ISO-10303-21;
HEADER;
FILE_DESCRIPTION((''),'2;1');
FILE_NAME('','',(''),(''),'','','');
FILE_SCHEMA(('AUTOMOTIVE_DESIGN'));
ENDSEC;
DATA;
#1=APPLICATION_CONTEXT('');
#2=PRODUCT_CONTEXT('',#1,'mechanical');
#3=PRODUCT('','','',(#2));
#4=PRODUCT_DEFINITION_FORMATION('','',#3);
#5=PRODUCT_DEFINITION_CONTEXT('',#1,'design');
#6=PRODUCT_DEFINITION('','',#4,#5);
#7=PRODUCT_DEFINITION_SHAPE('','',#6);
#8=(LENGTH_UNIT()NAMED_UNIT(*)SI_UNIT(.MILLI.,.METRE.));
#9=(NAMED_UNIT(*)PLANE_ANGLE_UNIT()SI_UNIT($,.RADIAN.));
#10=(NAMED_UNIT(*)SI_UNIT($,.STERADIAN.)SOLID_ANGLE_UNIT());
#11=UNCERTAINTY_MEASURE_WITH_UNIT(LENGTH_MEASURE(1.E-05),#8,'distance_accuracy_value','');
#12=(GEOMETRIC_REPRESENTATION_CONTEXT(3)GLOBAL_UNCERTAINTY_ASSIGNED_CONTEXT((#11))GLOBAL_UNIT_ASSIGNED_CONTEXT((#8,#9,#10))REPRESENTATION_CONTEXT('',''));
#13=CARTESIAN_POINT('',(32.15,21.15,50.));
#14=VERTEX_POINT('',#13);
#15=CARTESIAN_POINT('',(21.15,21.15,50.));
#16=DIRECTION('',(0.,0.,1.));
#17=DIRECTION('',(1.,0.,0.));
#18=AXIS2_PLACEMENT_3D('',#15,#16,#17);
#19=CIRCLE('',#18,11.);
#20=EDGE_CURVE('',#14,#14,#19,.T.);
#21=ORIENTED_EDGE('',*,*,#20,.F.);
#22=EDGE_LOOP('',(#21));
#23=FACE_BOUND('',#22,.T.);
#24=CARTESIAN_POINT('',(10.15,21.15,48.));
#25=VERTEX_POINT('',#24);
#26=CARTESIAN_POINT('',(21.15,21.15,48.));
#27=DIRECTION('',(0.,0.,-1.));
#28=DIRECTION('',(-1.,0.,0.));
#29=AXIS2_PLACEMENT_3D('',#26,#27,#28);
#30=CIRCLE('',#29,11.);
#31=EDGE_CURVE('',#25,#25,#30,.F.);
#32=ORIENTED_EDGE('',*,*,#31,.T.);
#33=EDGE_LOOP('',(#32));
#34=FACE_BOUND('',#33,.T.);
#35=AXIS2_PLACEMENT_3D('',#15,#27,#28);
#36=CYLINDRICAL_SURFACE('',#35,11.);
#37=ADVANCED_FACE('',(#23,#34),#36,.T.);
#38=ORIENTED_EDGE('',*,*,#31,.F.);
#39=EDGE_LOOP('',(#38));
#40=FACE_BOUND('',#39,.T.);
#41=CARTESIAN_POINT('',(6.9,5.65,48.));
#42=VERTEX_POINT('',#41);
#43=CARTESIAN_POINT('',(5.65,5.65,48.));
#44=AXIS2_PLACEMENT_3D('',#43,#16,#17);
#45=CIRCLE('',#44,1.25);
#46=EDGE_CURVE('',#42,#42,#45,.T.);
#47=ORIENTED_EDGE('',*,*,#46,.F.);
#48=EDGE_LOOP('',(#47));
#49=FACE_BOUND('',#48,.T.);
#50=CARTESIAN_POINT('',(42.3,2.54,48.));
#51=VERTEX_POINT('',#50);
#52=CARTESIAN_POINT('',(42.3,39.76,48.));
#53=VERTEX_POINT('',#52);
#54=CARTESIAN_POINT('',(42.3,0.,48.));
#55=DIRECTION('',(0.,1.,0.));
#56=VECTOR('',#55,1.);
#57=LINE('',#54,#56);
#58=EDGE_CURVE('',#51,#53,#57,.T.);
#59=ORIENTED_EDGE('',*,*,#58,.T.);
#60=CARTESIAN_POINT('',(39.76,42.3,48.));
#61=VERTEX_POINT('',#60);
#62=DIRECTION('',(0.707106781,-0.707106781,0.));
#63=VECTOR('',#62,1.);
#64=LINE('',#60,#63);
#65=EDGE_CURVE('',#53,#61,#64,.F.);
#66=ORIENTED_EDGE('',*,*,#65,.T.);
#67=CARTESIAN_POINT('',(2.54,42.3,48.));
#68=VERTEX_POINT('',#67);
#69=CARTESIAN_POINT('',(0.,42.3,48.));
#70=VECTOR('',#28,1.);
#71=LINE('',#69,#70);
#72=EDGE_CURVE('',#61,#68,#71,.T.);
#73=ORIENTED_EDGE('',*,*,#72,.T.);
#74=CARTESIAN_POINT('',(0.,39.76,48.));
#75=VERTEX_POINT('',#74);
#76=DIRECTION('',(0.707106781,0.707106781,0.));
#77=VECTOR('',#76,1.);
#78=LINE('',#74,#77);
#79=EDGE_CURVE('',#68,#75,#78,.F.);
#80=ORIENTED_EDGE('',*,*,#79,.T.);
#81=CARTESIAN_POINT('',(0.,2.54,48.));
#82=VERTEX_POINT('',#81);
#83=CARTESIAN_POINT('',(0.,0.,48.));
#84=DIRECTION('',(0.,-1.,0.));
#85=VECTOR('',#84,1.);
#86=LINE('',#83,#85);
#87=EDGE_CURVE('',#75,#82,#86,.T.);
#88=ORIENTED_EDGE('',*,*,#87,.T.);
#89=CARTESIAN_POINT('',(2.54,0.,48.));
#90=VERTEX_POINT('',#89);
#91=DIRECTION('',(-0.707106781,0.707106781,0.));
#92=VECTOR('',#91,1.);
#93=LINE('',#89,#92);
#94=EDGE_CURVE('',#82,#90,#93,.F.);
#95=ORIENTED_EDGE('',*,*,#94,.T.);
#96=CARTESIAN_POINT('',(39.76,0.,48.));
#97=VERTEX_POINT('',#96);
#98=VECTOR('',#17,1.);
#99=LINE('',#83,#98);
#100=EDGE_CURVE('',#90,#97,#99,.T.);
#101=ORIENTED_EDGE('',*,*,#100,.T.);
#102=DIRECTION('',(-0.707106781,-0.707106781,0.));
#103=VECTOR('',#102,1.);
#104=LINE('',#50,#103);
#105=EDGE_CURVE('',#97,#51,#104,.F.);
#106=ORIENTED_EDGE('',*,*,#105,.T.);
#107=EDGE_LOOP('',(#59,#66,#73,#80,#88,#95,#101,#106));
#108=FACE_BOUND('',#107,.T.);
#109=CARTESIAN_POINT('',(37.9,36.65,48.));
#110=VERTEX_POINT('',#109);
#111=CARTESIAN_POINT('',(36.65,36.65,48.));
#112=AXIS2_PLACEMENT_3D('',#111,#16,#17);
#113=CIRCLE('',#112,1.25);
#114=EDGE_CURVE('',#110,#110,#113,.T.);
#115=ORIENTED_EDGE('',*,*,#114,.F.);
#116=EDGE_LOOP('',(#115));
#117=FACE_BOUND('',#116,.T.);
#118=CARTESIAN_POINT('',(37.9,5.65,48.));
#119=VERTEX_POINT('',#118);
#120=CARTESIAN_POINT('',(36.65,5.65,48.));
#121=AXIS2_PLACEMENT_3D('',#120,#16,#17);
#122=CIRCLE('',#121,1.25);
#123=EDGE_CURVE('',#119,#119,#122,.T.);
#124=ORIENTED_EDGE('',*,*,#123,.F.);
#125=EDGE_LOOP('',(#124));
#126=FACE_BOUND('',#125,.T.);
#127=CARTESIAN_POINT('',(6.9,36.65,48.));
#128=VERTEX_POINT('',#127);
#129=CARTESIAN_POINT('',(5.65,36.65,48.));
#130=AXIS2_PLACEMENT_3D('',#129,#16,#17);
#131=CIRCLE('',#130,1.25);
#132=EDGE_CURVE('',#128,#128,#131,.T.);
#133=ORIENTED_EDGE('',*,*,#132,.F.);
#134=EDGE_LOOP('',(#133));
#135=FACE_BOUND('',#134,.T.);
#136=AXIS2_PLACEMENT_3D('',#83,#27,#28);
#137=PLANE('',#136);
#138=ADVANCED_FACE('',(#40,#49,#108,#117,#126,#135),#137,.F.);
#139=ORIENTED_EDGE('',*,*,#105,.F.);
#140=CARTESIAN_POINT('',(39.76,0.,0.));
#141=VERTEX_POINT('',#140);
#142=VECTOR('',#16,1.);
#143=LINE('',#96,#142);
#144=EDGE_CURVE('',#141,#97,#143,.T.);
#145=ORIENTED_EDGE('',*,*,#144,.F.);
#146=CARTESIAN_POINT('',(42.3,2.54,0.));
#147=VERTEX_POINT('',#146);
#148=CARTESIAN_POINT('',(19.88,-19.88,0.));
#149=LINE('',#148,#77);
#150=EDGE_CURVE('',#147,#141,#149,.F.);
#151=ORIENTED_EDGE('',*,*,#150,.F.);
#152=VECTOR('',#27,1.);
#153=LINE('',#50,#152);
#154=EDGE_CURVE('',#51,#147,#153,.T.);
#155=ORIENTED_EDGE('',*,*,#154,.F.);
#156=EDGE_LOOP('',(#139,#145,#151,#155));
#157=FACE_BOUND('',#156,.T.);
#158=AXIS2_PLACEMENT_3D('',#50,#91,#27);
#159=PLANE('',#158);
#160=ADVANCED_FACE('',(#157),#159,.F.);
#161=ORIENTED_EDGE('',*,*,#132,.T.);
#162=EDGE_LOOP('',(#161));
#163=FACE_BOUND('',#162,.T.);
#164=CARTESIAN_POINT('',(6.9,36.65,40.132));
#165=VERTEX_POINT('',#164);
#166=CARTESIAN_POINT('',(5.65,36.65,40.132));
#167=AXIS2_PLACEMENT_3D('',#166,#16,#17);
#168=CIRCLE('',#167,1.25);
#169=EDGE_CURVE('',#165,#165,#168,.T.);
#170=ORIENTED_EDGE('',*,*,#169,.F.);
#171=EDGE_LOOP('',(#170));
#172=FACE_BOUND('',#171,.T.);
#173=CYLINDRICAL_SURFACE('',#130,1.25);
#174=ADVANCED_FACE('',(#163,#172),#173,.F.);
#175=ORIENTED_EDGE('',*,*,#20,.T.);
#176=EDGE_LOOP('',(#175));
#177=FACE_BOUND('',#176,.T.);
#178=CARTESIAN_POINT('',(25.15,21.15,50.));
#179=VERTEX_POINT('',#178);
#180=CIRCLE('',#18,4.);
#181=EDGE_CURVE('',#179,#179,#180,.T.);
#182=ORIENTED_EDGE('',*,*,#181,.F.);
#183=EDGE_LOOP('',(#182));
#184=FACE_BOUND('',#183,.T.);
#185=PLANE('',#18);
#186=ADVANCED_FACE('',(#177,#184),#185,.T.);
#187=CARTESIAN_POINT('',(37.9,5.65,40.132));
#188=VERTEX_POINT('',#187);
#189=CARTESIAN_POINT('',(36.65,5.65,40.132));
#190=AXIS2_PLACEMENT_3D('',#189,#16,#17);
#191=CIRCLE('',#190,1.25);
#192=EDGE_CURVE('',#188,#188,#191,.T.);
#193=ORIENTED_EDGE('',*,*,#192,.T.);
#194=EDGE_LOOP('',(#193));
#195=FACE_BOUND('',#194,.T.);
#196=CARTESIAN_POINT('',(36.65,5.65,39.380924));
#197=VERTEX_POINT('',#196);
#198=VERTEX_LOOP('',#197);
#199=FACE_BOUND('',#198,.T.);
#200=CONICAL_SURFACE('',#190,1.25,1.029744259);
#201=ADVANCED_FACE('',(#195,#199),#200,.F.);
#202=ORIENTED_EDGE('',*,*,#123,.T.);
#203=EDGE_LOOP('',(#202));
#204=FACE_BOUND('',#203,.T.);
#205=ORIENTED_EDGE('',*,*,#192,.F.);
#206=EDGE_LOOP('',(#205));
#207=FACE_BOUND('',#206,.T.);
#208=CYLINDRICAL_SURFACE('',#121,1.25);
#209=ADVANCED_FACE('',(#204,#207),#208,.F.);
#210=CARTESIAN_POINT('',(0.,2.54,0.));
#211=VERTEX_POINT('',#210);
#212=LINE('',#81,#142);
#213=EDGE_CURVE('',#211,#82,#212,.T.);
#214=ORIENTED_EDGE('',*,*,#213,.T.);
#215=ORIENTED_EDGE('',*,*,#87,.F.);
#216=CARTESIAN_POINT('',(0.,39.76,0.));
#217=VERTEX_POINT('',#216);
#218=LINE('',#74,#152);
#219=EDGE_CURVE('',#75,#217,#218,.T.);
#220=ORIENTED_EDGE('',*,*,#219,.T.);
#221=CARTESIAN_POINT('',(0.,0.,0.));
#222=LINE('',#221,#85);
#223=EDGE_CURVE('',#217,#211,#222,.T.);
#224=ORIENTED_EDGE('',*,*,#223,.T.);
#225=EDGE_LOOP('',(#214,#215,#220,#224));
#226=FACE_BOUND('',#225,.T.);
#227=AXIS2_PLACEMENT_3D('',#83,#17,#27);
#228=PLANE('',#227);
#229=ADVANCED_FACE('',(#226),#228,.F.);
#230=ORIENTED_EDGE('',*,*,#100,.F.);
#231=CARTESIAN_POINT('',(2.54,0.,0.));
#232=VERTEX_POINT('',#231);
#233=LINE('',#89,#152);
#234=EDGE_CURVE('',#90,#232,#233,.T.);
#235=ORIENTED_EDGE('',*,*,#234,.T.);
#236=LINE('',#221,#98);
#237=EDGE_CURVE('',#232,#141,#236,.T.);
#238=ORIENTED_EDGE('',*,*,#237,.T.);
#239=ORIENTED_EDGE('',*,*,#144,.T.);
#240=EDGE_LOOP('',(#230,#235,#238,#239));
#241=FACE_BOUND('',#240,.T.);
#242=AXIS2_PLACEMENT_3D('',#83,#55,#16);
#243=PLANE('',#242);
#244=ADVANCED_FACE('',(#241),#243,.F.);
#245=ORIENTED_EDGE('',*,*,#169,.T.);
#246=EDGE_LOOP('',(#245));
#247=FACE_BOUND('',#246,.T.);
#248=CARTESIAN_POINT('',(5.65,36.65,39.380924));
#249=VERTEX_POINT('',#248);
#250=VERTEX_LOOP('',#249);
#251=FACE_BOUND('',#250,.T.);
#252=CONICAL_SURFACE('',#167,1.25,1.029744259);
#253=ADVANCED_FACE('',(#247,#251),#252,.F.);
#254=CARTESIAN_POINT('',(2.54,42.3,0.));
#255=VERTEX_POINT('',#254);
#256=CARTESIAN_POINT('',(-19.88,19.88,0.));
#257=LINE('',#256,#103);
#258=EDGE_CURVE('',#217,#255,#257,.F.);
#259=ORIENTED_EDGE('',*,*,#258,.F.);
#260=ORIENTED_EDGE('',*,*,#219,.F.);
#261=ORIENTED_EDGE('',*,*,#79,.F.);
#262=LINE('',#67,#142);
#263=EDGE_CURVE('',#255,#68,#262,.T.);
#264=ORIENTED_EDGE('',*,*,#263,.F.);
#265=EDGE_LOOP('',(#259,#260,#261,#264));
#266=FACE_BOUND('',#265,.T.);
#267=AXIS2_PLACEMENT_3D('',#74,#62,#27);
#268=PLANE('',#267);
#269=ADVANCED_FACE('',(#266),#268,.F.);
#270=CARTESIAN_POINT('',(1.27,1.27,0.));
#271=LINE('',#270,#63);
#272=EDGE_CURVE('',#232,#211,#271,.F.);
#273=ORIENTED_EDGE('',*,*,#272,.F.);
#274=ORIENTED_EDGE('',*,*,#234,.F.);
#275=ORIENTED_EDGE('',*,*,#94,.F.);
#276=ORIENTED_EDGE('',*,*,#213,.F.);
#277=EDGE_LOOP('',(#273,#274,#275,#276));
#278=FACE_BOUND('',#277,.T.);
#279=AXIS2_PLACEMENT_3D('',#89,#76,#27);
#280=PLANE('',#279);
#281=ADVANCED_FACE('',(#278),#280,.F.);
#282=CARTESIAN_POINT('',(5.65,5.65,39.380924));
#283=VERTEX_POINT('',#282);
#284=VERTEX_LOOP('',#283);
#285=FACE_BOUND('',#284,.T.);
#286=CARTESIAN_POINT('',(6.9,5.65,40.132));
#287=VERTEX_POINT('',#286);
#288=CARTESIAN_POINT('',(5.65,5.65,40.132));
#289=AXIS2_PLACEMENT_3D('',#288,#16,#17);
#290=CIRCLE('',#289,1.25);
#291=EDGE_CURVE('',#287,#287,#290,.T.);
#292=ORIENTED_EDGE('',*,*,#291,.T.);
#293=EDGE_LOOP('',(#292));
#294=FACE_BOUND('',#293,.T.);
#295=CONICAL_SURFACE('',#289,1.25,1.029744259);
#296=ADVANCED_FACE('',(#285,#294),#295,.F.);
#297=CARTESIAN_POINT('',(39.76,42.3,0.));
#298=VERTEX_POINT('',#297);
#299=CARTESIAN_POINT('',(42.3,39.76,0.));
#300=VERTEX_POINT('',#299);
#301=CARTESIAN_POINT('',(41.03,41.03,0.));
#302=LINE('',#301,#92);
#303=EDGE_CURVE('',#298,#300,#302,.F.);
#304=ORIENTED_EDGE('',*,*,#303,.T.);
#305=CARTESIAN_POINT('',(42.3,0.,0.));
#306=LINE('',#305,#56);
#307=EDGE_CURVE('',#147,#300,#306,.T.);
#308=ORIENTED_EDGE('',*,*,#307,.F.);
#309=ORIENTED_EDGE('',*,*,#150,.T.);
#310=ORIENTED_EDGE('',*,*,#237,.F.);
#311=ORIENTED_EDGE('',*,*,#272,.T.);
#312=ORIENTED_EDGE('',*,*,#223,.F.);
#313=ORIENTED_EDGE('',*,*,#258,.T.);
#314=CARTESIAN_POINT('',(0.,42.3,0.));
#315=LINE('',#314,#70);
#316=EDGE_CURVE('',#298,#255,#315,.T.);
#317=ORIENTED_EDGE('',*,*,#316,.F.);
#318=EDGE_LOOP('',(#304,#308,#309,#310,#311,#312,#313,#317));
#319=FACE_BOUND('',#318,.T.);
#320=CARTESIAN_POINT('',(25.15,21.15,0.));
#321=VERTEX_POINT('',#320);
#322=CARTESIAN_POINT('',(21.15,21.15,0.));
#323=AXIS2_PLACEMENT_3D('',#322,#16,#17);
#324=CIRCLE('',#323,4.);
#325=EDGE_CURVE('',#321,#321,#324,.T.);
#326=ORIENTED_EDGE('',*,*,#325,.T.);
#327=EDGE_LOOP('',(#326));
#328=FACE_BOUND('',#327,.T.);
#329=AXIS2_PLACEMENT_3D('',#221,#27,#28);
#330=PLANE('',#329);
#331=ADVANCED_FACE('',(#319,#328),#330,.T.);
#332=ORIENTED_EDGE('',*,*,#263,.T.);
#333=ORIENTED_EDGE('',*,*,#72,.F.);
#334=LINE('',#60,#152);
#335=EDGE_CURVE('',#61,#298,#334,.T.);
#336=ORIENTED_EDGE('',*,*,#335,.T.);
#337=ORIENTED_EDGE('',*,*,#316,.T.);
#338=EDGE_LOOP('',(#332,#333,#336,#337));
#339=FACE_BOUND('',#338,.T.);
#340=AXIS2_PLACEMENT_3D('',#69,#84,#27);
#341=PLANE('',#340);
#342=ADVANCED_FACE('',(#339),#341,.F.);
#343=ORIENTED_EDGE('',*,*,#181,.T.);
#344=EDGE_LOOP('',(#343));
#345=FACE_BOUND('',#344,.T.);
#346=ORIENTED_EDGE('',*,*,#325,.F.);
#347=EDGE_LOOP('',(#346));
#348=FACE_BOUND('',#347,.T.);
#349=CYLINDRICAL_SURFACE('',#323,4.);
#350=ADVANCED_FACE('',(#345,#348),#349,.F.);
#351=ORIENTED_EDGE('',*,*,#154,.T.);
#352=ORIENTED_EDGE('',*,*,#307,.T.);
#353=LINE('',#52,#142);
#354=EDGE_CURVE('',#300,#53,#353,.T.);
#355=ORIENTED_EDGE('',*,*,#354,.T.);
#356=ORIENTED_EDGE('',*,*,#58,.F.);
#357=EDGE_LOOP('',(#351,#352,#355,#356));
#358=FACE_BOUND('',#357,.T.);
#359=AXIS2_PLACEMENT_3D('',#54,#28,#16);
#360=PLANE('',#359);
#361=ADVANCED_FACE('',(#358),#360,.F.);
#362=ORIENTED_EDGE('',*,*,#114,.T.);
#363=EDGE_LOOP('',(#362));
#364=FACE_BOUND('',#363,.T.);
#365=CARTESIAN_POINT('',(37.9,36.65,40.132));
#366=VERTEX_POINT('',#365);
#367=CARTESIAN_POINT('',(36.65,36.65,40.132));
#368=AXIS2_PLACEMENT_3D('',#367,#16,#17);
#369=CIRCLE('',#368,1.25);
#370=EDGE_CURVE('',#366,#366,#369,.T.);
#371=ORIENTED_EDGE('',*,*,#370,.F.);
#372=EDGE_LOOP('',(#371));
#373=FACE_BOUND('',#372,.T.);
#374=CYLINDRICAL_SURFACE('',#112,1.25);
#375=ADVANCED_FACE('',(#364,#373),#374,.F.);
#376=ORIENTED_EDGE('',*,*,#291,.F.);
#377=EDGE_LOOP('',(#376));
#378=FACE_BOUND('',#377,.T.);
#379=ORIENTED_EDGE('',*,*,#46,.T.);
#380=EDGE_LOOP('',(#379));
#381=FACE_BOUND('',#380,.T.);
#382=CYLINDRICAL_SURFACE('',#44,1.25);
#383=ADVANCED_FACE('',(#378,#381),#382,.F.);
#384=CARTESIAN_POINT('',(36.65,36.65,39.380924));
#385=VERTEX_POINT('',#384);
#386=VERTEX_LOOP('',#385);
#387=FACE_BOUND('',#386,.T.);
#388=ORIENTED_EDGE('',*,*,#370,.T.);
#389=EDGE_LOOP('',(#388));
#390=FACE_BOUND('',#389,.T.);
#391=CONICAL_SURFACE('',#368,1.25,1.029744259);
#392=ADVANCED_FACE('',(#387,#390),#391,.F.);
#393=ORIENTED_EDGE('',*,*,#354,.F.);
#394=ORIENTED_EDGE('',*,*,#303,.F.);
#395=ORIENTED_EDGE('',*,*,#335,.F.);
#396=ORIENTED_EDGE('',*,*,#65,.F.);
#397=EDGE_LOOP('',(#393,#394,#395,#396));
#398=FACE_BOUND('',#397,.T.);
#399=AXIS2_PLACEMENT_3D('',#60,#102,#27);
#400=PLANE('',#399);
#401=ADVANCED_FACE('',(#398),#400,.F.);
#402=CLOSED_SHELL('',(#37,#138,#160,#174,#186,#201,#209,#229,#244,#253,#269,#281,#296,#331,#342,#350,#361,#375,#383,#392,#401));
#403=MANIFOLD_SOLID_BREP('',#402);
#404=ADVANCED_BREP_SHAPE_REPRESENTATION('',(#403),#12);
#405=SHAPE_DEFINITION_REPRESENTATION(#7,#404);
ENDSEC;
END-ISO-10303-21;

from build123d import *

# Parameters (mm, degrees)
SKETCH1_W                       = 42.3
SKETCH1_H                       = 42.3
BOSS_EXTRUDE1_DEPTH             = 48
TAP_DRILL_FOR_M3X0_5_TAP1_D     = 2.5
TAP_DRILL_FOR_M3X0_5_TAP1_DEPTH = 7.868
TAP_DRILL_FOR_M3X0_5_TAP1_TIP   = 0.751075774
SKETCH5_R                       = 11
BOSS_EXTRUDE2_DEPTH             = 2
SKETCH6_R                       = 4
CUT_EXTRUDE1_DEPTH              = 78.965248669
CHAMFER1_SIZE                   = 2.54


with BuildPart() as part:
    # Sketch1 → Boss-Extrude1 (new body)
    with BuildSketch(Plane.XY):
        with Locations((21.15, 21.15)):
            Rectangle(SKETCH1_W, SKETCH1_H)
    extrude(amount=BOSS_EXTRUDE1_DEPTH)

    # Tap Drill for M3x0.5 Tap1
    with Locations(Plane.XY.offset(48)):
        with Locations((36.65, 5.65), (36.65, 36.65), (5.65, 5.65), (5.65, 36.65)):
            Hole(TAP_DRILL_FOR_M3X0_5_TAP1_D / 2, depth=TAP_DRILL_FOR_M3X0_5_TAP1_DEPTH)
            with Locations((0, 0, -(TAP_DRILL_FOR_M3X0_5_TAP1_DEPTH + TAP_DRILL_FOR_M3X0_5_TAP1_TIP / 2))):  # 118° drill point
                Cone(0, TAP_DRILL_FOR_M3X0_5_TAP1_D / 2, TAP_DRILL_FOR_M3X0_5_TAP1_TIP, mode=Mode.SUBTRACT)

    # Sketch5 → Boss-Extrude2 (add)
    with BuildSketch(Plane.XY.offset(48)):
        with Locations(Location((21.15, 21.15, 0), (0, 0, 180))):
            Circle(SKETCH5_R)
    extrude(amount=BOSS_EXTRUDE2_DEPTH)

    # Sketch6 → Cut-Extrude1 (cut, through all)
    with BuildSketch(Plane.XY.offset(50)):
        with Locations((21.15, 21.15)):
            Circle(SKETCH6_R)
    extrude(amount=-CUT_EXTRUDE1_DEPTH, mode=Mode.SUBTRACT)

    # Chamfer1
    chamfer1_edges = [part.edges().sort_by_distance(p)[0] for p in [
        (0, 42.3, 24),
        (42.3, 42.3, 24),
        (42.3, 0, 24),
        (0, 0, 24),
    ]]
    chamfer(chamfer1_edges, length=CHAMFER1_SIZE)


solid = part.part
